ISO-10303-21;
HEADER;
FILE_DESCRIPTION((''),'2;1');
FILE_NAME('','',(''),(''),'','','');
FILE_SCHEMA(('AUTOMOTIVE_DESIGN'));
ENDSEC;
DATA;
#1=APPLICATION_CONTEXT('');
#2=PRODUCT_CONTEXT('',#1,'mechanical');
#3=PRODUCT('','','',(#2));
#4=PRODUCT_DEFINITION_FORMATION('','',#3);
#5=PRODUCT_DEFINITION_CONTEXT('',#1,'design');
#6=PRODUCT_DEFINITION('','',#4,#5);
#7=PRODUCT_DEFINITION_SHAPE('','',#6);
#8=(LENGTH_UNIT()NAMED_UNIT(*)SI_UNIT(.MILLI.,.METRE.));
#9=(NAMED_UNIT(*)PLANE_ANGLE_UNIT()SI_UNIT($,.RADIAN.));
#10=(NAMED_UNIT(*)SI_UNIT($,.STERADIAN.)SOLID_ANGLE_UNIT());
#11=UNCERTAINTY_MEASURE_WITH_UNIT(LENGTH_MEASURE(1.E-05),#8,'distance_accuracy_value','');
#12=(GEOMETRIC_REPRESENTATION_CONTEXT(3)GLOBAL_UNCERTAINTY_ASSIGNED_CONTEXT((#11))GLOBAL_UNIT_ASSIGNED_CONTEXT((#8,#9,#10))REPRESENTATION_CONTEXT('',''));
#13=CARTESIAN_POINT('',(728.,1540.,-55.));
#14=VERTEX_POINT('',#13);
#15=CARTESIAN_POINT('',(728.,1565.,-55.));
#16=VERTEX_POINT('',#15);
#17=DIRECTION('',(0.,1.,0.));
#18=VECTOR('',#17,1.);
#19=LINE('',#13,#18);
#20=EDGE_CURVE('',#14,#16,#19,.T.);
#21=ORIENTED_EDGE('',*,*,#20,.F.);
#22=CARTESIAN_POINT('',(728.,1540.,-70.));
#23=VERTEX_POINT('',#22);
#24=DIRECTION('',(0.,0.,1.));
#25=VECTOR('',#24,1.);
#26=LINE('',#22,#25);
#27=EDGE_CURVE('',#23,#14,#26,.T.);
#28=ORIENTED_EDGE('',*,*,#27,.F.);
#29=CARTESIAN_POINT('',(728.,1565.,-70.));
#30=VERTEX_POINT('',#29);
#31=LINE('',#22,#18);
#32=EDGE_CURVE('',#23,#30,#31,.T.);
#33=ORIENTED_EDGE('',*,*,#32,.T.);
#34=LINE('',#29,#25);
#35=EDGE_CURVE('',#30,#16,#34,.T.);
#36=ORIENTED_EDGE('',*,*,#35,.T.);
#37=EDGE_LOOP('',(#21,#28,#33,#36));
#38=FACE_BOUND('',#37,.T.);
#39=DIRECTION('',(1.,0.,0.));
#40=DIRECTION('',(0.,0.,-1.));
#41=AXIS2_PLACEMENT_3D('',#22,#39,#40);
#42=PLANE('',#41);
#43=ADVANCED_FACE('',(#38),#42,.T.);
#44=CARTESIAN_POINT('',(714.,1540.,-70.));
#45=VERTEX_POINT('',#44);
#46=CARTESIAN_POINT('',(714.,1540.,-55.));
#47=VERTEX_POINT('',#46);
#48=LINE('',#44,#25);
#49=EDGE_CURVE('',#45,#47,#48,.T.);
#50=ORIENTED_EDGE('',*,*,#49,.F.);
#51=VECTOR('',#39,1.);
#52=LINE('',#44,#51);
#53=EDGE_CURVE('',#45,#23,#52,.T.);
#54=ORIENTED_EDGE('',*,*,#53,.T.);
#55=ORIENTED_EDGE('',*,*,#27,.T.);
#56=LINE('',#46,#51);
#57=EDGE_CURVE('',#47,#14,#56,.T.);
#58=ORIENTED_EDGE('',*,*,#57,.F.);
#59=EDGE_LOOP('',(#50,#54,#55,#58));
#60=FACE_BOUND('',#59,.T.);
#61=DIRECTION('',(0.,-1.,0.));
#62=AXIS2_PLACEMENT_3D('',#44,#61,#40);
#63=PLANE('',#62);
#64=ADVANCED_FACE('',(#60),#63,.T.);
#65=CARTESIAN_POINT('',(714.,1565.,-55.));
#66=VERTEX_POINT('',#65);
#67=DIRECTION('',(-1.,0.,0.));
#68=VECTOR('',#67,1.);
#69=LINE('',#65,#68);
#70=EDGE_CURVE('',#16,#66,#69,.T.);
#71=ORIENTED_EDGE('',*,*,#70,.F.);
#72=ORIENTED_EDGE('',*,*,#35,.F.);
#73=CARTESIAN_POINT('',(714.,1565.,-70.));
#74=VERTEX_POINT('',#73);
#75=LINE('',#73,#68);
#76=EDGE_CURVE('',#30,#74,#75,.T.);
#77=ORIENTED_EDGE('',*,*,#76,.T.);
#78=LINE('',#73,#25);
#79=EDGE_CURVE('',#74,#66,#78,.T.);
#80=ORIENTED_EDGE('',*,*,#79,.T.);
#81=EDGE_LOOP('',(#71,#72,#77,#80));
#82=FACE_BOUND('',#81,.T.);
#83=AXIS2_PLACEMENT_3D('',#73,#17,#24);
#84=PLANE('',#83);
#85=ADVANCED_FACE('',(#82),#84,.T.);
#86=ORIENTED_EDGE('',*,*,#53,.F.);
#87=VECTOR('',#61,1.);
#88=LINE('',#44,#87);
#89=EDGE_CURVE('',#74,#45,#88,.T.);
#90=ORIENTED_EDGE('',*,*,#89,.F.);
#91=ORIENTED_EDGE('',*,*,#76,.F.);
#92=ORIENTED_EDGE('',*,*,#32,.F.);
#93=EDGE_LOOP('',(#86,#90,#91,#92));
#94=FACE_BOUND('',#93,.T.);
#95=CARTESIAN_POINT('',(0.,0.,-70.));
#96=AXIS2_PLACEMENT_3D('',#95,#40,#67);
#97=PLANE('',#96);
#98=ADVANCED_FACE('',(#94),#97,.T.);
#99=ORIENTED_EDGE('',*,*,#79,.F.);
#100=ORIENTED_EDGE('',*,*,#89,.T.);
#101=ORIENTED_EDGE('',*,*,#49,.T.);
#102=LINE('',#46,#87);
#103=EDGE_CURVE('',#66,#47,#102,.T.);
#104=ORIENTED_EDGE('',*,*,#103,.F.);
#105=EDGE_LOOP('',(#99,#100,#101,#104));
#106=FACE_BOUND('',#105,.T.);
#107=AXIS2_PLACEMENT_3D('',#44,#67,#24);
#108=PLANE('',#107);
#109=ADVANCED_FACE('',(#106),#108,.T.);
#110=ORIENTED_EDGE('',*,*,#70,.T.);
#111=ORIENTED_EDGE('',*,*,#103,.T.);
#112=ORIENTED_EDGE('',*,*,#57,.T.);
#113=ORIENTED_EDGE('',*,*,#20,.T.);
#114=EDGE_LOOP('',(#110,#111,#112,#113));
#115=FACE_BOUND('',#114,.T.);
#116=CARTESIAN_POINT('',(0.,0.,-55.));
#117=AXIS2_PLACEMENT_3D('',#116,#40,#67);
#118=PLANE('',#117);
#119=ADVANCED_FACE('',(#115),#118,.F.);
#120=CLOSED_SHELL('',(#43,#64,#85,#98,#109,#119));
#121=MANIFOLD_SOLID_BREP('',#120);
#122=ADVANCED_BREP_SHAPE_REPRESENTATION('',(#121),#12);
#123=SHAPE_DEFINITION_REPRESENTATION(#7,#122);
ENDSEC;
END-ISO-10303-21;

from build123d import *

# Parameters (mm, degrees)
DET2_GERGI_MAKARASI_BRAKETI_1_START = -55
SKETCH1_W                           = 14
SKETCH1_H                           = 25
DET2_GERGI_MAKARASI_BRAKETI_1_DEPTH = 15


with BuildPart() as part:
    # Sketch1 → DET2_gergi_makarasi_braketi_1 (new body)
    with BuildSketch(Plane.XY.offset(DET2_GERGI_MAKARASI_BRAKETI_1_START)):
        with Locations((721, 1552.5)):
            Rectangle(SKETCH1_W, SKETCH1_H)
    extrude(amount=-DET2_GERGI_MAKARASI_BRAKETI_1_DEPTH)


solid = part.part
